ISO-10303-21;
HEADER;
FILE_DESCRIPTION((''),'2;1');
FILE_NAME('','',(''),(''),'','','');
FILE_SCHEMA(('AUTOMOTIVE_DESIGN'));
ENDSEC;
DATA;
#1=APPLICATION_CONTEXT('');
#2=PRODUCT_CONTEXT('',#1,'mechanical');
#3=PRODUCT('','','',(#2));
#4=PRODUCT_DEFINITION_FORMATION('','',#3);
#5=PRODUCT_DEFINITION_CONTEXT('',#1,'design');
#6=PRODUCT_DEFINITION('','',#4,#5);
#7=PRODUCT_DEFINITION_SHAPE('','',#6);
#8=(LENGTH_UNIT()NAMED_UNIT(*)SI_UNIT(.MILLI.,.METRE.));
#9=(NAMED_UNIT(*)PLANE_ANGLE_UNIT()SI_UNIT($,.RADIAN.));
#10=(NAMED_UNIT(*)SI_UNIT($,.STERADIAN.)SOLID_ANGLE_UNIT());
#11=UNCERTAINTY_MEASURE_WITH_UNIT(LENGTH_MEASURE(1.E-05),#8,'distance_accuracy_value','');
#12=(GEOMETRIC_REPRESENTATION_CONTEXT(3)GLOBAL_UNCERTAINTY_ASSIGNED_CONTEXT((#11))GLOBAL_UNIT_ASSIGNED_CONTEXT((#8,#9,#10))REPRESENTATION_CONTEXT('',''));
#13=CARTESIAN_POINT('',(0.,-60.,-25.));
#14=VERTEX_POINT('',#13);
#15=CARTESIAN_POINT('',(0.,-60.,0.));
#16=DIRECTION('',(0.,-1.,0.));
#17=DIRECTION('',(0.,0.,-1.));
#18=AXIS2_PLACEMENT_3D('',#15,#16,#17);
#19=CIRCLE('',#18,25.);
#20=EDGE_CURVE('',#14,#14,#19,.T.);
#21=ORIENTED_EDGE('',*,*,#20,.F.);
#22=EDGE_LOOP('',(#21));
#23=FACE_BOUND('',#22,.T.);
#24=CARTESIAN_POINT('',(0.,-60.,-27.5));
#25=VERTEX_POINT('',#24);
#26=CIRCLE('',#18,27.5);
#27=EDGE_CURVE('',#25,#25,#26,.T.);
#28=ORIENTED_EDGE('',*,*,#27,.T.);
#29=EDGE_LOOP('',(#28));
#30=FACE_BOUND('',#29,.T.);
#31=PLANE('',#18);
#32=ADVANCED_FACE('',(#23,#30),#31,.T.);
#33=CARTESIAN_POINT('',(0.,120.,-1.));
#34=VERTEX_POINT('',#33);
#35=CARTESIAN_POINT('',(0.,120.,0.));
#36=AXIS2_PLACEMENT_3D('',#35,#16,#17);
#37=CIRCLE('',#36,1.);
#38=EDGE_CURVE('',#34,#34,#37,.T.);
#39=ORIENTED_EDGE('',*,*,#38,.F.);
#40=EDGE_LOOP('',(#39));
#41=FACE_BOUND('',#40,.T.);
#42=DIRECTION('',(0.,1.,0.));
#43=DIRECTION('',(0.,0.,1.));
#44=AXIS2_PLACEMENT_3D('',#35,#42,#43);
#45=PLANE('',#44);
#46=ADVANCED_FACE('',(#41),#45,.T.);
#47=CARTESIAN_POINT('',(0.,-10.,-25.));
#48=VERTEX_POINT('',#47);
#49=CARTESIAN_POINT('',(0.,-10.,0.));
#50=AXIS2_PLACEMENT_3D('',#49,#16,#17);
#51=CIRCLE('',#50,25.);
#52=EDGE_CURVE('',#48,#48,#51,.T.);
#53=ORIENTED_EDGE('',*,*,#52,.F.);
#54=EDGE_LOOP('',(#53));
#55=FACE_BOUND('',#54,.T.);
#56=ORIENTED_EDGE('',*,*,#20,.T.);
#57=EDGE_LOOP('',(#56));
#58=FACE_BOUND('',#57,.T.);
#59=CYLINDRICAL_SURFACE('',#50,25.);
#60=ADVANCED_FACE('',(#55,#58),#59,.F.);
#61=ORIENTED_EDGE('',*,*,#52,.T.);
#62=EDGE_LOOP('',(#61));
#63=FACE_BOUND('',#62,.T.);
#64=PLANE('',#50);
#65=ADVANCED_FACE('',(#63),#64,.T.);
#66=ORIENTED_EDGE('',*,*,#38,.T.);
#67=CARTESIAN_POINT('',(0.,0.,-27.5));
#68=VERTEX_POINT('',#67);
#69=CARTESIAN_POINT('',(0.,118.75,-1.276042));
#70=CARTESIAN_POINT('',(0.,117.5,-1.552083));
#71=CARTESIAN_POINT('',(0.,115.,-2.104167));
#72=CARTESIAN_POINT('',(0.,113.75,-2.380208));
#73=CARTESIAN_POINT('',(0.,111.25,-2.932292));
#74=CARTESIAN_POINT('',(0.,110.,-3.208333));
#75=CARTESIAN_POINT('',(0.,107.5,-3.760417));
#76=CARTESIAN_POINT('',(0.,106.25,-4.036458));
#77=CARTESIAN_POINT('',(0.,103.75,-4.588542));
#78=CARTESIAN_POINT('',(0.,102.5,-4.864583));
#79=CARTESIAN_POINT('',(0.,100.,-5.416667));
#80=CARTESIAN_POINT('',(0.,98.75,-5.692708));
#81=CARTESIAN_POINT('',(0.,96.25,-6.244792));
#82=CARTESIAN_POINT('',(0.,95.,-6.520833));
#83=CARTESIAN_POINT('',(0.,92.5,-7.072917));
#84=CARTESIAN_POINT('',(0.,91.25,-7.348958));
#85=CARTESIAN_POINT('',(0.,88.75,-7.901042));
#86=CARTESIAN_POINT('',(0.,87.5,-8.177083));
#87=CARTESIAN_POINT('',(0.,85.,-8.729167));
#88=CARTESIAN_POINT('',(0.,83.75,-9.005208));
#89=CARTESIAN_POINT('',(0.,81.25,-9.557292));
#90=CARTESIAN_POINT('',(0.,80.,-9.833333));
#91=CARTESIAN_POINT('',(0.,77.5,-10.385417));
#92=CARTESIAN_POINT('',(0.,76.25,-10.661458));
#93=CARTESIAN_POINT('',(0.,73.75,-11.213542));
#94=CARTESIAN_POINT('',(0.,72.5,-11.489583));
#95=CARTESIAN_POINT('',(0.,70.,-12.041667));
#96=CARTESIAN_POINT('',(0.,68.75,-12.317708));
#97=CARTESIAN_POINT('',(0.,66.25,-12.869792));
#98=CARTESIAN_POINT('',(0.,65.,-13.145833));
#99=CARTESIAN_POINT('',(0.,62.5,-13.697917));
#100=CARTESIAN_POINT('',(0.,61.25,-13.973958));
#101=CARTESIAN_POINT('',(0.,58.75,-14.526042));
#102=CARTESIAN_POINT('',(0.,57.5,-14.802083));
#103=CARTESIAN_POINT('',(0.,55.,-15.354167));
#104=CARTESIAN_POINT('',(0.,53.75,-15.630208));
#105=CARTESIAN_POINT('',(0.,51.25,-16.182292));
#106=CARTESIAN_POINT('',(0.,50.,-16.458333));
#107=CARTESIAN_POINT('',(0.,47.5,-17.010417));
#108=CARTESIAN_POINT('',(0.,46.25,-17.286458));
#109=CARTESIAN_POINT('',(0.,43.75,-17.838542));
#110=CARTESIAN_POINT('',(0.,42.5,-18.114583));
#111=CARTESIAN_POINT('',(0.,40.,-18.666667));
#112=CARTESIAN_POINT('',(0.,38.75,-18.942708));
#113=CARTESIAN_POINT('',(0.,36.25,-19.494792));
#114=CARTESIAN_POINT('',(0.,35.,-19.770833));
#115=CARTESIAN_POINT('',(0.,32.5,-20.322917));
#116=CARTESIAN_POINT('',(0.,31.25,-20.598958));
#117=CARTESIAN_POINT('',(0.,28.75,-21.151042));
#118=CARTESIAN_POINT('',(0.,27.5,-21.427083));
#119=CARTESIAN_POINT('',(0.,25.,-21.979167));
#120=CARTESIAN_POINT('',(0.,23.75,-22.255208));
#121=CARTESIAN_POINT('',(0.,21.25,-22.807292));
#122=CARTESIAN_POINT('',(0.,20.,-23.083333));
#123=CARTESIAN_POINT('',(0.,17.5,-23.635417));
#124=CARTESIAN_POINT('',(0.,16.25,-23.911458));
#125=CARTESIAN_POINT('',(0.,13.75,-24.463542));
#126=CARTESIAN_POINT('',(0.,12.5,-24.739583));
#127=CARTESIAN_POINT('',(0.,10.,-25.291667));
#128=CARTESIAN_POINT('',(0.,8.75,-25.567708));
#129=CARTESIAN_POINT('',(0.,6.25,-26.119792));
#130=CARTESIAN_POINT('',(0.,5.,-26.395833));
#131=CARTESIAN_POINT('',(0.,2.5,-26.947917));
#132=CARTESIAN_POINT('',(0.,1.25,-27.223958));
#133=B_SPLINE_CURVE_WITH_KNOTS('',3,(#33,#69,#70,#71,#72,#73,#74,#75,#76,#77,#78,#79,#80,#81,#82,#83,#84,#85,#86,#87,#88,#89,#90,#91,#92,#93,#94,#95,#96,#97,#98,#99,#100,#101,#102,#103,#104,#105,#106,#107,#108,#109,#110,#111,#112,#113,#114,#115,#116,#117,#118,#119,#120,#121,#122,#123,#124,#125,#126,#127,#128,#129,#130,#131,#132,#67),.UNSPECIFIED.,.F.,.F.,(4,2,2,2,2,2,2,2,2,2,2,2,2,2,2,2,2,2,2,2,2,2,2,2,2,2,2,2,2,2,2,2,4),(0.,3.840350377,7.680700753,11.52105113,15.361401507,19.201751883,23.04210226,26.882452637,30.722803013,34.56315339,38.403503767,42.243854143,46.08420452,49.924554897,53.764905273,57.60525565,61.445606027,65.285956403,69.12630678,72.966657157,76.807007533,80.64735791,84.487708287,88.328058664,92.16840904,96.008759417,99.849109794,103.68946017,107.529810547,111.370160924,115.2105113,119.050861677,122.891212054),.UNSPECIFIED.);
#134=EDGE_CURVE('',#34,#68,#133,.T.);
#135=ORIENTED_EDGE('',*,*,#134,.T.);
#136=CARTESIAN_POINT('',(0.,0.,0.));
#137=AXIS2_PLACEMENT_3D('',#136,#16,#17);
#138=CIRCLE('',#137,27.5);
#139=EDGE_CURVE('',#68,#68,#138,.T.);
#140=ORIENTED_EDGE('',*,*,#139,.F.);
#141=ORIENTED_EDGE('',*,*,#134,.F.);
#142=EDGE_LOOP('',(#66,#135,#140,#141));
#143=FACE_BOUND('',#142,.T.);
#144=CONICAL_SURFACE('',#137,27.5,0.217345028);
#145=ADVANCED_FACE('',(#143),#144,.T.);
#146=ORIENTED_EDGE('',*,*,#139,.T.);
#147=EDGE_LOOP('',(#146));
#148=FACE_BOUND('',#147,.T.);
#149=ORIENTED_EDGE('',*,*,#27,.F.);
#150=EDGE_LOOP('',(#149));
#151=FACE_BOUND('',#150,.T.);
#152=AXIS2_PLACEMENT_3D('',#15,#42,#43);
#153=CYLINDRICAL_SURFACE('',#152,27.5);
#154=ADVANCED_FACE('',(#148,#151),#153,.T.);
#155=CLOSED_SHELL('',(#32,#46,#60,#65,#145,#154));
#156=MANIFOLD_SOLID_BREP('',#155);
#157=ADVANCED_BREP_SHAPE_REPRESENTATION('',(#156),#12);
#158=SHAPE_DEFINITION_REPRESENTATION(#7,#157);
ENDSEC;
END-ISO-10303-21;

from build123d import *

# Parameters (mm, degrees)
SKETCH3_R           = 27.5
BOSS_EXTRUDE1_DEPTH = 60
SKETCH4_R           = 25
CUT_EXTRUDE1_DEPTH  = 50


with BuildPart() as part:
    # Sketch2 → Revolve1 (revolve)
    with BuildSketch(Plane.XY, mode=Mode.PRIVATE) as revolve1_sk:
        Polygon((0, 0), (0, 120), (1, 120), (27.5, 0), align=None)
    revolve(revolve1_sk.sketch.rotate(Axis((0, 0, 0), (0, 1, 0)), 90), axis=Axis((0, 0, 0), (0, 1, 0)))

    # Sketch3 → Boss-Extrude1 (add)
    with BuildSketch(Plane.XZ):
        with Locations(Location((0, 0, 0), (0, 0, 270))):
            Circle(SKETCH3_R)
    extrude(amount=BOSS_EXTRUDE1_DEPTH)

    # Sketch4 → Cut-Extrude1 (cut)
    with BuildSketch(Plane.XZ.offset(60)):
        with Locations(Location((0, 0, 0), (0, 0, 270))):
            Circle(SKETCH4_R)
    extrude(amount=-CUT_EXTRUDE1_DEPTH, mode=Mode.SUBTRACT)


solid = part.part
